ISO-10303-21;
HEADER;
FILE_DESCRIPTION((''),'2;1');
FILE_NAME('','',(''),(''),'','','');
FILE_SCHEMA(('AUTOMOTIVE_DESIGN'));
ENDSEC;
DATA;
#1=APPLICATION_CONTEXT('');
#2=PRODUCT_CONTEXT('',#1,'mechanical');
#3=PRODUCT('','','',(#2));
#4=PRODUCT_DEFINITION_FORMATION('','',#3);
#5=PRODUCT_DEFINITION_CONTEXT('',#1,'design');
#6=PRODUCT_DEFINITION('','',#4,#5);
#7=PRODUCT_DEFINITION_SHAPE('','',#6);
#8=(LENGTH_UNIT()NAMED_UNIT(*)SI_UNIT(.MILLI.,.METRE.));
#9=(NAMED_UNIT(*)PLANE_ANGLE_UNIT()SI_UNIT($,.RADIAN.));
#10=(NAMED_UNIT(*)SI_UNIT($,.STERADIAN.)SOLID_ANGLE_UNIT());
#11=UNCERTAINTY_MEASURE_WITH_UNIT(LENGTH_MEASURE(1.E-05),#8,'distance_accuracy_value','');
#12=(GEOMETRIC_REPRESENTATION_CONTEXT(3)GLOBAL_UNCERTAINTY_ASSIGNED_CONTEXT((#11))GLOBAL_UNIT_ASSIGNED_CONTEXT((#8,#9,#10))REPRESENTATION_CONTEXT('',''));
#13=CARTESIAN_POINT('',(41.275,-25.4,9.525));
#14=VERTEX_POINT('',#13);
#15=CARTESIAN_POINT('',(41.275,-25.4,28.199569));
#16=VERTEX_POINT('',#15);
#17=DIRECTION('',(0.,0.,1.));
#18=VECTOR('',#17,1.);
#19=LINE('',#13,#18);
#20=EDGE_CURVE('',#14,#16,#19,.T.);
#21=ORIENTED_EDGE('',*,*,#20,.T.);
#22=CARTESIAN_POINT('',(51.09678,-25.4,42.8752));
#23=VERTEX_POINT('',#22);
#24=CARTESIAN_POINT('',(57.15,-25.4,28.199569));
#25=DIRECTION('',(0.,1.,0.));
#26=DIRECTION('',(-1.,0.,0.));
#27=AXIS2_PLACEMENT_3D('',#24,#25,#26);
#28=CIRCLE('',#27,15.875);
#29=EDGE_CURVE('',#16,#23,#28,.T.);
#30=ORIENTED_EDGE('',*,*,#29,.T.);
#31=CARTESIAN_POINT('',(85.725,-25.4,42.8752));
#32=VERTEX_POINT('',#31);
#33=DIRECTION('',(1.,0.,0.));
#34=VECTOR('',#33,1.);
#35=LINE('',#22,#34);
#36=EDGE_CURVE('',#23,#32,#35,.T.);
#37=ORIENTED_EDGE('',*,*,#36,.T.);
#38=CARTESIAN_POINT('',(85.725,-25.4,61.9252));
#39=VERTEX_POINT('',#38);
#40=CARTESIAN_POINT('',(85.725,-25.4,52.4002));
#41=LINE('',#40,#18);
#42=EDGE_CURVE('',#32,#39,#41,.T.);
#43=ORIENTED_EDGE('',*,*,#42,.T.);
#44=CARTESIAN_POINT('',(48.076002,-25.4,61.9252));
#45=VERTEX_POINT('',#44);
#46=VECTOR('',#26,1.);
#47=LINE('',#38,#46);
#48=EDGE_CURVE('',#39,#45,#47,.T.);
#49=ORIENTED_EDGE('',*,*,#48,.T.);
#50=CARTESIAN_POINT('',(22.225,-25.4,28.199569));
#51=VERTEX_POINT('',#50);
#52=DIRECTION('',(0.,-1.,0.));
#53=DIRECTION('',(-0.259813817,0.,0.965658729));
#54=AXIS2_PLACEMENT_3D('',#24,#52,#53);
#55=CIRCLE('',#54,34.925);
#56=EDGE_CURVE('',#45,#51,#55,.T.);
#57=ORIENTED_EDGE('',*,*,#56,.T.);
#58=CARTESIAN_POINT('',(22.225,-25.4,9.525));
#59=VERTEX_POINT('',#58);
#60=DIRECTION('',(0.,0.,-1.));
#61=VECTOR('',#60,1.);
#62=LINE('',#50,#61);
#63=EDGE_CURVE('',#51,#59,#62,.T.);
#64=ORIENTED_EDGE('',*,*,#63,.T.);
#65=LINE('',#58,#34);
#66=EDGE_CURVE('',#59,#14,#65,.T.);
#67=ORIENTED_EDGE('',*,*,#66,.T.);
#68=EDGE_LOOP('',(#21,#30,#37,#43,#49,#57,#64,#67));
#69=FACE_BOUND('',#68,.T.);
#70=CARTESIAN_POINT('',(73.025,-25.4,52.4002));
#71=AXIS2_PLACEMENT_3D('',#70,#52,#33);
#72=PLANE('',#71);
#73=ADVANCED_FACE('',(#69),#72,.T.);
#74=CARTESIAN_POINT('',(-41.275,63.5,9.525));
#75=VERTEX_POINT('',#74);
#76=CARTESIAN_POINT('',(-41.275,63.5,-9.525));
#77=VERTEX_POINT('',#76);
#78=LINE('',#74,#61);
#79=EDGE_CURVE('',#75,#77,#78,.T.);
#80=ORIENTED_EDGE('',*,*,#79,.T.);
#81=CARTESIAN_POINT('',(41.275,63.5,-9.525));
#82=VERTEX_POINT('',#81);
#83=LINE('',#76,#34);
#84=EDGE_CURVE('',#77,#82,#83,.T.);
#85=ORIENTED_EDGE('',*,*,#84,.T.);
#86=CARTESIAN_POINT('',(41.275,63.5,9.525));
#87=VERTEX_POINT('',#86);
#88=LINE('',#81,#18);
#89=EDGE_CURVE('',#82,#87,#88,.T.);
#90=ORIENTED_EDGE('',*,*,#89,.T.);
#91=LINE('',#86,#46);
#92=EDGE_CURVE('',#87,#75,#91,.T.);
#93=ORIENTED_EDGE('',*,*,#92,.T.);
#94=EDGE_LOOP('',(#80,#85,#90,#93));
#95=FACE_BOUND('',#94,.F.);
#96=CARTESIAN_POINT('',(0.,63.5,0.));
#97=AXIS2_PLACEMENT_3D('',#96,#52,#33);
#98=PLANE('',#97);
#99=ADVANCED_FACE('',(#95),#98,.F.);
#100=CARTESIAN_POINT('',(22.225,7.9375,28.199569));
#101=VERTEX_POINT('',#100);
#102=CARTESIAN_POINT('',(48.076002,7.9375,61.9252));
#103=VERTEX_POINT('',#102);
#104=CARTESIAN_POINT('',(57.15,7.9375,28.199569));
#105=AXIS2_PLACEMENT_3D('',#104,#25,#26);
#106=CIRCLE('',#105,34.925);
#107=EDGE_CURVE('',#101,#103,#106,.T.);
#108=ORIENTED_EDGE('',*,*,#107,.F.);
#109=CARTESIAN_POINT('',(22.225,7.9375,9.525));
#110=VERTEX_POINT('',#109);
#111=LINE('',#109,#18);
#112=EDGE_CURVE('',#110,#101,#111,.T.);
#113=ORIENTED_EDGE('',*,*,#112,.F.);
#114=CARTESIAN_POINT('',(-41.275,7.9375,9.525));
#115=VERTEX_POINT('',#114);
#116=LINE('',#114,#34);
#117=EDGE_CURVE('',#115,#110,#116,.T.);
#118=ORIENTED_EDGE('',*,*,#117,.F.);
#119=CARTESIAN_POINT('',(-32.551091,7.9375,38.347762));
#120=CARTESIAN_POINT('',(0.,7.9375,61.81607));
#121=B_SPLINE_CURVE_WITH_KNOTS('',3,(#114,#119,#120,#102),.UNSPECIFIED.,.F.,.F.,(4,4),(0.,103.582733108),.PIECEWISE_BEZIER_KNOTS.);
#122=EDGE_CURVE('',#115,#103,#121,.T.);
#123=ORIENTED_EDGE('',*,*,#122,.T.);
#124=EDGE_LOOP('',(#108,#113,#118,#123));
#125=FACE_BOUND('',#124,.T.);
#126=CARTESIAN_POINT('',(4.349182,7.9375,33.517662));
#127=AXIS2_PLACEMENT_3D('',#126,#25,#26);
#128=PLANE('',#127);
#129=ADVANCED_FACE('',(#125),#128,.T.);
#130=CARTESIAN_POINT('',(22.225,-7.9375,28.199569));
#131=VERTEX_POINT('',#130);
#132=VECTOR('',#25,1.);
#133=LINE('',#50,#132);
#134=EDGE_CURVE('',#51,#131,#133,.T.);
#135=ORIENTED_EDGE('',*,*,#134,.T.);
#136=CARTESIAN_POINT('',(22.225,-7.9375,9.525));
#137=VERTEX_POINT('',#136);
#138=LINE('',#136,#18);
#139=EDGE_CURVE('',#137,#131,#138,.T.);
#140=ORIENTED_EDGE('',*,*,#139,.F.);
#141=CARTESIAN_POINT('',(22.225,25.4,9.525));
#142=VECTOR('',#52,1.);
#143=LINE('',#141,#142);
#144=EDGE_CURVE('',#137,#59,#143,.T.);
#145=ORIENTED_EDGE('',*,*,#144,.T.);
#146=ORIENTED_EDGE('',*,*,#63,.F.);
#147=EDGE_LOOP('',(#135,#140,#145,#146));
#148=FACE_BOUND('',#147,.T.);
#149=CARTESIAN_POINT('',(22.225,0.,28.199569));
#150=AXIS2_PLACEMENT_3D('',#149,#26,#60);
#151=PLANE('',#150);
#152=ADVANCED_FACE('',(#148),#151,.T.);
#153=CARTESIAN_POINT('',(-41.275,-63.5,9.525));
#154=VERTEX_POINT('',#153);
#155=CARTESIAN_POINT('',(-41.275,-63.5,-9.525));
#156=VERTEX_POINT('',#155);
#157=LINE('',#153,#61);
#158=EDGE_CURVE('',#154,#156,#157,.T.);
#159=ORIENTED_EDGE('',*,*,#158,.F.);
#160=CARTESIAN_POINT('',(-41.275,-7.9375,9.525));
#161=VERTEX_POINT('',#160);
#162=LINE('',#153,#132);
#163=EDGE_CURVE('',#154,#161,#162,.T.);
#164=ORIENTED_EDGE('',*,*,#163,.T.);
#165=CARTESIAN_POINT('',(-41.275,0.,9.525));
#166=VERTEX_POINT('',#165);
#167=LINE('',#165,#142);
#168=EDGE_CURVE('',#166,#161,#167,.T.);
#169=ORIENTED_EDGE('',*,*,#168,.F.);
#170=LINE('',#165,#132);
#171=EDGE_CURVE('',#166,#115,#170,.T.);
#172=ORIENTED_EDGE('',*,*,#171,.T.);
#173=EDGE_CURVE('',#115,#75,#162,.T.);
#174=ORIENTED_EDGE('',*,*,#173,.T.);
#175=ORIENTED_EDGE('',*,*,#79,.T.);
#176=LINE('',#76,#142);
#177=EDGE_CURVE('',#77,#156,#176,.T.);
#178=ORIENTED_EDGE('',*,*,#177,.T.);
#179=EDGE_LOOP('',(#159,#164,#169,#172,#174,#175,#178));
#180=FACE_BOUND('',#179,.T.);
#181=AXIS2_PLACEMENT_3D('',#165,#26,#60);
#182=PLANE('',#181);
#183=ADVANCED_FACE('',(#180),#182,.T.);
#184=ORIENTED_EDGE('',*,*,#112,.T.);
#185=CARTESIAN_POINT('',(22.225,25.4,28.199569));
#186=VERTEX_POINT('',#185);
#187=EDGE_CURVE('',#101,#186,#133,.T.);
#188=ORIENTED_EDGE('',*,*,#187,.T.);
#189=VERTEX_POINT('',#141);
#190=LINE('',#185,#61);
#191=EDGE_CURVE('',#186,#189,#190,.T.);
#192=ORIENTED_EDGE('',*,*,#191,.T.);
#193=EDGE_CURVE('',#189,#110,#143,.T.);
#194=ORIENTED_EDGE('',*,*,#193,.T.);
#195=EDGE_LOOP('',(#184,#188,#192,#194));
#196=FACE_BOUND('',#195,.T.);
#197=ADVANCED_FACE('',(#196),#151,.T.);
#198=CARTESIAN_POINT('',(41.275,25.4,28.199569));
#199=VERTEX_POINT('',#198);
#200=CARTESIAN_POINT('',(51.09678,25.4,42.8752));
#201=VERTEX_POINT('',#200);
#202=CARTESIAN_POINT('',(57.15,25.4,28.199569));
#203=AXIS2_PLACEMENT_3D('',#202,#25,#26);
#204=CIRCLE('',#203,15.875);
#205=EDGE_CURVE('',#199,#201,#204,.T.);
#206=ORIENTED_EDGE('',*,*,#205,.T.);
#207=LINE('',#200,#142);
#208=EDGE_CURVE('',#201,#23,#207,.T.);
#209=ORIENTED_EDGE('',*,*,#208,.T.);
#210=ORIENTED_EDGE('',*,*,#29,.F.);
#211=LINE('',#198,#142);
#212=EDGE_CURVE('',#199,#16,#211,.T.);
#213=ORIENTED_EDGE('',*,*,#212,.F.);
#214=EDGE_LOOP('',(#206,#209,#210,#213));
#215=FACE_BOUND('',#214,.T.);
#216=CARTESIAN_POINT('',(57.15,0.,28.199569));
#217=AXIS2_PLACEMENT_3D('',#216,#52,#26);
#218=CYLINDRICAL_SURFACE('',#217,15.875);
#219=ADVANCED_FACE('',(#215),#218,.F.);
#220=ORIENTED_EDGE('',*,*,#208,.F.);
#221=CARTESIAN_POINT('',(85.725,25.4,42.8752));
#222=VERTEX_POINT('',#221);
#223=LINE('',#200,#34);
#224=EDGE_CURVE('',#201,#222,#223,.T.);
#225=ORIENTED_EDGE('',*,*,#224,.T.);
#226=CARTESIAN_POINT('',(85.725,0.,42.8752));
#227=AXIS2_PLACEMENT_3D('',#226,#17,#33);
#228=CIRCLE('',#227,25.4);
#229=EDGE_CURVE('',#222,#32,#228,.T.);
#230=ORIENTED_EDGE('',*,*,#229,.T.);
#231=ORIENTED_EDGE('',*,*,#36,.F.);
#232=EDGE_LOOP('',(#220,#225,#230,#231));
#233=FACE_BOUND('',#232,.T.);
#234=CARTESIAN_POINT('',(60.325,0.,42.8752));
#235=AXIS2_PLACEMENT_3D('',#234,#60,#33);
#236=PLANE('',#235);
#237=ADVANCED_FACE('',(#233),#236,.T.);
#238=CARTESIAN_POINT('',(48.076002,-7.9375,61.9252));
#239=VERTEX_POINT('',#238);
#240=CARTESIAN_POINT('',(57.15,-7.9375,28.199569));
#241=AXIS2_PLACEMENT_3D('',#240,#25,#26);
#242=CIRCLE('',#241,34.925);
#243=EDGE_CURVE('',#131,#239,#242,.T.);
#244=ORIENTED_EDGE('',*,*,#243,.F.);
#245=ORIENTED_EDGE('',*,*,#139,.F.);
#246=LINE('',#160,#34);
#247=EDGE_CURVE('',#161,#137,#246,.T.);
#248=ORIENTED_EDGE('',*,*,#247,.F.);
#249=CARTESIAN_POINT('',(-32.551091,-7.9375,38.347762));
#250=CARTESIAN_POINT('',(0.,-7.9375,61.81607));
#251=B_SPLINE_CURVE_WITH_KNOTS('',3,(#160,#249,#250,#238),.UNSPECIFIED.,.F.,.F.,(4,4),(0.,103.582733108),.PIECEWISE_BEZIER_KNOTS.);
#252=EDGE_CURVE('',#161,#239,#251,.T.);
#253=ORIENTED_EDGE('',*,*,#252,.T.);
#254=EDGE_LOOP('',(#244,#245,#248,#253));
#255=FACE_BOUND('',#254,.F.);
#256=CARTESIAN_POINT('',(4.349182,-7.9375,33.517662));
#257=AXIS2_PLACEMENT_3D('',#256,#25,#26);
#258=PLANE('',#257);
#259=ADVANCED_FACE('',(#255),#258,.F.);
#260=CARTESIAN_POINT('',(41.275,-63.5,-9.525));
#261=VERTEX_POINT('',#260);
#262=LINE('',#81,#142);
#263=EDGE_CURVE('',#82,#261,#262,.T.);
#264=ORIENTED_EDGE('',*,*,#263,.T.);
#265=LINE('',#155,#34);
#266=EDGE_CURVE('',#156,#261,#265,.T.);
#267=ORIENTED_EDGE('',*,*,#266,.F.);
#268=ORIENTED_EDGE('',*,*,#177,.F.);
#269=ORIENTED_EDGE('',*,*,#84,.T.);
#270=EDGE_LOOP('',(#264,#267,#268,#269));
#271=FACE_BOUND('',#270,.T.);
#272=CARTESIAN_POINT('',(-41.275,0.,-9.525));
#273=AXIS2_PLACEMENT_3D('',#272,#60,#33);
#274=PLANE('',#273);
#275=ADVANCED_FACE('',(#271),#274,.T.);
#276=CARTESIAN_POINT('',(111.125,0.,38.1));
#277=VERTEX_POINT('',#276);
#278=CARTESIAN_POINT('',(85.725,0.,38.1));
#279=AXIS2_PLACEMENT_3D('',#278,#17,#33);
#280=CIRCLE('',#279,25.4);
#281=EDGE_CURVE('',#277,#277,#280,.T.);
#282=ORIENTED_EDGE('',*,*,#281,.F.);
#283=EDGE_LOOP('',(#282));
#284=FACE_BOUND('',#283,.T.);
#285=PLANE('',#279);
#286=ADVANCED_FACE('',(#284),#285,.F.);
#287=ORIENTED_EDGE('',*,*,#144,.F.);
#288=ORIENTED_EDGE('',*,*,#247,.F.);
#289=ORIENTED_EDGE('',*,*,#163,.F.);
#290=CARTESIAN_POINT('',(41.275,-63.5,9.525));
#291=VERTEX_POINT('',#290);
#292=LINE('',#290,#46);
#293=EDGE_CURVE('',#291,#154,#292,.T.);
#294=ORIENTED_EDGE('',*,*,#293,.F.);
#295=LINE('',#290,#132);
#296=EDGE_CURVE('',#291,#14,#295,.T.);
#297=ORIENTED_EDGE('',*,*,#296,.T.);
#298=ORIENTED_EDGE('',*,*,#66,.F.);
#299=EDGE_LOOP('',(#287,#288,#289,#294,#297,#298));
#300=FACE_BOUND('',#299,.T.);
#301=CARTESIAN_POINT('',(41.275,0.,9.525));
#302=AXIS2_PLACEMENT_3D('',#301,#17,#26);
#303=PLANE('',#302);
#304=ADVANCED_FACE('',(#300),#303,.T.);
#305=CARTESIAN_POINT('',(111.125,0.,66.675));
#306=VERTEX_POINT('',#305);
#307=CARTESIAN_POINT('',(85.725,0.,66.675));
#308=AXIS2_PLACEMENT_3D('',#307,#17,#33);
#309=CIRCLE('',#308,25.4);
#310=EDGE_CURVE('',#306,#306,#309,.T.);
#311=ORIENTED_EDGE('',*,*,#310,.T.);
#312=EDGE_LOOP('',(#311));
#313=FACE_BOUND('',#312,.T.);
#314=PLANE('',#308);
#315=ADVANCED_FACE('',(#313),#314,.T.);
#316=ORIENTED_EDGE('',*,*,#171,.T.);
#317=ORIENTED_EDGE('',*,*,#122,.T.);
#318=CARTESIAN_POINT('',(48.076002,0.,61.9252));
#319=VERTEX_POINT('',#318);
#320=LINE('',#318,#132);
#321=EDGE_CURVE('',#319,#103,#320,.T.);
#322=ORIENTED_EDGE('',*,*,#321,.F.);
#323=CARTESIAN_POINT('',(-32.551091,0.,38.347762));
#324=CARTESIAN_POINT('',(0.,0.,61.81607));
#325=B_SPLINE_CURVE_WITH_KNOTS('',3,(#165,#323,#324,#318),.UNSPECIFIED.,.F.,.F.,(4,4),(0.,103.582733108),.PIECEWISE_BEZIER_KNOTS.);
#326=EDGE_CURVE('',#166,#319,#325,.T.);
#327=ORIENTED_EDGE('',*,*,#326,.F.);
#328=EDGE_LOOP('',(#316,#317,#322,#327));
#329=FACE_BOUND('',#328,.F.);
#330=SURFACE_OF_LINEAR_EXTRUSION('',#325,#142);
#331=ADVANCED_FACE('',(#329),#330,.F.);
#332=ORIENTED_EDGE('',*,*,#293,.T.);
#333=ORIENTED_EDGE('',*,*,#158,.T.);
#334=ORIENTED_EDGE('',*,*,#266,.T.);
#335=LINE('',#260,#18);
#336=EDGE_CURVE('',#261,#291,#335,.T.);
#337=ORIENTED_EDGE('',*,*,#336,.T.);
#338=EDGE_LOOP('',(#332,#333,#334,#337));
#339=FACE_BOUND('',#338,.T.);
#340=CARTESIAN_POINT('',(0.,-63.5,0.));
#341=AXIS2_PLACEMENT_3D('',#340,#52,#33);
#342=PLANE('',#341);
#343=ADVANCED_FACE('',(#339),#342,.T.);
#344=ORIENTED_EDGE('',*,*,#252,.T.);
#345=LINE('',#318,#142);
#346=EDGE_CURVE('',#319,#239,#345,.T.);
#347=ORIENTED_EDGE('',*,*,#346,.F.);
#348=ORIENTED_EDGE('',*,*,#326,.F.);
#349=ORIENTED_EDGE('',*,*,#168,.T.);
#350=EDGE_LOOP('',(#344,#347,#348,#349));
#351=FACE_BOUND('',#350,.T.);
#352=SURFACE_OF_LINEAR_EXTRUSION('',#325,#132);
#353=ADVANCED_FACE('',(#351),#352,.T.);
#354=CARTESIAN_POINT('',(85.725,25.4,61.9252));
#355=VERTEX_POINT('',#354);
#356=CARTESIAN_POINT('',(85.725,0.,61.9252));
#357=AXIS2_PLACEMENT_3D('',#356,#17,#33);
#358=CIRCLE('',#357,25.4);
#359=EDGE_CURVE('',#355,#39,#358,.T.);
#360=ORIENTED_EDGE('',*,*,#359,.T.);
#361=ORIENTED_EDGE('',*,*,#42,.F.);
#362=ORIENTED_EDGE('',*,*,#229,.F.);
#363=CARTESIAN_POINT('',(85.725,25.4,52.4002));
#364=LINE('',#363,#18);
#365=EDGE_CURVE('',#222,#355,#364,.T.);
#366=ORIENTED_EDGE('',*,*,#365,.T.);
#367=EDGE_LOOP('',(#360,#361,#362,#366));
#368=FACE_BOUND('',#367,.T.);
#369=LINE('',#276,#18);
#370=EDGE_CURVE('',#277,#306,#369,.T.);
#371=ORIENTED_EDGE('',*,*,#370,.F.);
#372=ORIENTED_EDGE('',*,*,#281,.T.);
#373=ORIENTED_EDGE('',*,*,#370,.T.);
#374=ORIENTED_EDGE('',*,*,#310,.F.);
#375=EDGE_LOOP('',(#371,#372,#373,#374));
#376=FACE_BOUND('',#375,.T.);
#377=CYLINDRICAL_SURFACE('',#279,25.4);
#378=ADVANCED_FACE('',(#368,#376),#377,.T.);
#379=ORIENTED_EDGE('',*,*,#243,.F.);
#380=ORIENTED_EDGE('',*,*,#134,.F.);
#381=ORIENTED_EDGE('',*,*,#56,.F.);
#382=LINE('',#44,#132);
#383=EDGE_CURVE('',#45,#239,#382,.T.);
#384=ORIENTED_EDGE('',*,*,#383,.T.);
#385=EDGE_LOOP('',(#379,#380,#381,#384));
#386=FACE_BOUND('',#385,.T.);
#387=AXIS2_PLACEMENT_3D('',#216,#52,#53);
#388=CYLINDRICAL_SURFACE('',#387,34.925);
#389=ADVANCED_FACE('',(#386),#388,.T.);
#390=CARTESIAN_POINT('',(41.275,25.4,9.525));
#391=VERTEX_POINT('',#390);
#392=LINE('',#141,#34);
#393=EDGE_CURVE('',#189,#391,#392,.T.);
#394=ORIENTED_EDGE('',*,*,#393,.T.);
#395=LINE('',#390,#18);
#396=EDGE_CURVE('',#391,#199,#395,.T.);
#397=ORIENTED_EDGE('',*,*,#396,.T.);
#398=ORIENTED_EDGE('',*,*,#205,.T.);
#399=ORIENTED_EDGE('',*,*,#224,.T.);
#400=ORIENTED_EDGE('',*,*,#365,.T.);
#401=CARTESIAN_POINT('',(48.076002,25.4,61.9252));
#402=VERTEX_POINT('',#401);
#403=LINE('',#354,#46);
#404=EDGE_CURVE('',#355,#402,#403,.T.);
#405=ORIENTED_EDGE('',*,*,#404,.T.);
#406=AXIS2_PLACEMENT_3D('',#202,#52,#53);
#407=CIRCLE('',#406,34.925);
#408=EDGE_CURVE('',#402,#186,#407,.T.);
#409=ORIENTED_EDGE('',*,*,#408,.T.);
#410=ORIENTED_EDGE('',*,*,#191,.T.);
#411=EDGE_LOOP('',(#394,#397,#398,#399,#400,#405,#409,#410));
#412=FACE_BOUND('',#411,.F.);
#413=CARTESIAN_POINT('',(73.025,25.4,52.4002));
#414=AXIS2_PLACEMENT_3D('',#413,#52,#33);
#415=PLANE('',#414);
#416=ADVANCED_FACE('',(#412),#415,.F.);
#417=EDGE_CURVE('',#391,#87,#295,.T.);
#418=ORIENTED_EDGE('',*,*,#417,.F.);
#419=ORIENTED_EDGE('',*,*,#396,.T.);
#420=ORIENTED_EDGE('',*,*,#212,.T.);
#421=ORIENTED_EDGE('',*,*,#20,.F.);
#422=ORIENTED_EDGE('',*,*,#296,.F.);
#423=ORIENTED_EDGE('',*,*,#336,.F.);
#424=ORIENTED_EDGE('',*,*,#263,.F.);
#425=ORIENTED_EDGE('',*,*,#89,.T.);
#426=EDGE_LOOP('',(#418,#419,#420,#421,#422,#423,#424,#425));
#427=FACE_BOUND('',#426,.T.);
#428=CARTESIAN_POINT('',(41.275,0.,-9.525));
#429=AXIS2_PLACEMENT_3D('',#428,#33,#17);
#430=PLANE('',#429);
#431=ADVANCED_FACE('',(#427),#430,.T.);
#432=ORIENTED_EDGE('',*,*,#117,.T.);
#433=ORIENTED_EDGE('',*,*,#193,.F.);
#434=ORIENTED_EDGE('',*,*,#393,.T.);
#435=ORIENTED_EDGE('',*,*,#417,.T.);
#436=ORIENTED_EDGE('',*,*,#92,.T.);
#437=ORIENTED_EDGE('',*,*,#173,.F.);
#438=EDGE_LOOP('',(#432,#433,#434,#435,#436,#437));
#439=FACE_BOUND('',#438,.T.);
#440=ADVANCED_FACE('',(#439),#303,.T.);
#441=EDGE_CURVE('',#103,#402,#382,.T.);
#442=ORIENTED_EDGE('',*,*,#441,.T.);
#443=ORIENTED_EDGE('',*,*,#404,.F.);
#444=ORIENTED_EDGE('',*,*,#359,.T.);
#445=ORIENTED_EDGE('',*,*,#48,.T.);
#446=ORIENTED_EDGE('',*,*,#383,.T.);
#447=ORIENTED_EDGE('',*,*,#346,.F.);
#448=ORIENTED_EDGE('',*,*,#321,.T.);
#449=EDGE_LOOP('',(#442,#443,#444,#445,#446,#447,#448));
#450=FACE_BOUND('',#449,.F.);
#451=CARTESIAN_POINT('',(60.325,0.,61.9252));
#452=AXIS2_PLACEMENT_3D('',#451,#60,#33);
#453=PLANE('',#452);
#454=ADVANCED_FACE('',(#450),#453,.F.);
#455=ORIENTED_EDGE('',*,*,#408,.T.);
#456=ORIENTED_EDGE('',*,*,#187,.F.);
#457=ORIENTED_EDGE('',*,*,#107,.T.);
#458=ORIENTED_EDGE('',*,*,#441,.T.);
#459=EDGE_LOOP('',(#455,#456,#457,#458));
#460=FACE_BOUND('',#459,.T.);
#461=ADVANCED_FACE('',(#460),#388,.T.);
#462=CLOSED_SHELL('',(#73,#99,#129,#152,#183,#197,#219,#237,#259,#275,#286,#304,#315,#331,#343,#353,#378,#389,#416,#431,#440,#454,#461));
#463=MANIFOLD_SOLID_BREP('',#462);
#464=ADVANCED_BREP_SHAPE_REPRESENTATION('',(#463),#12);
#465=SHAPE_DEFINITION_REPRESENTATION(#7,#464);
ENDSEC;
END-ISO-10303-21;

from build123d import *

# Parameters (mm, degrees)
F1_DEPTH = 63.5
F2_DEPTH = 25.4
F0_W     = 25.4
F0_H     = 19.05
F3_DEPTH = 25.4
F4_DEPTH = 7.9375


with BuildPart() as f1:
    # F0 (on Front) → F1 (new body, symmetric)
    with BuildSketch(Plane.XZ):
        Polygon((22.225, 9.525), (-41.275, 9.525), (-41.275, -9.525), (41.275, -9.525), (41.275, 9.525), align=None)
    extrude(amount=F1_DEPTH, both=True)

    # F0 (on Front) → F2 (join, symmetric)
    with BuildSketch(Plane.XZ):
        with BuildLine():
            Line((22.225, 28.1995688956), (22.225, 9.525))
            Line((22.225, 9.525), (41.275, 9.525))
            Line((41.275, 9.525), (41.275, 28.1995688956))
            ThreePointArc((41.275, 28.1995688956), (43.9569999969, 37.0290862051), (51.0967796432, 42.8752))
            Line((51.0967796432, 42.8752), (60.325, 42.8752))
            Line((60.325, 42.8752), (60.325, 61.9252))
            Line((60.325, 61.9252), (48.076002446, 61.9252))
            ThreePointArc((48.076002446, 61.9252), (29.431188792, 49.4462893534), (22.225, 28.1995688956))
        make_face()
    extrude(amount=F2_DEPTH, both=True)

    # F0 (on Front) → F3 (join, symmetric)
    with BuildSketch(Plane.XZ):
        with Locations((73.025, 52.4002)):
            Rectangle(F0_W, F0_H)
    extrude(amount=F3_DEPTH, both=True)

    # F0 (on Front) → F4 (join, symmetric)
    with BuildSketch(Plane.XZ):
        with BuildLine():
            add(Edge.make_bspline(
                [(-41.275, 9.525), (-32.5510911644, 38.347762078), (0, 61.8160702288), (48.076002446, 61.9252)],
                knots=[0, 0, 0, 0, 103.5827331081, 103.5827331081, 103.5827331081, 103.5827331081], degree=3))
            Line((-41.275, 9.525), (22.225, 9.525))
            Line((22.225, 9.525), (22.225, 28.1995688956))
            ThreePointArc((22.225, 28.1995688956), (29.431188792, 49.4462893534), (48.076002446, 61.9252))
        make_face()
    extrude(amount=F4_DEPTH, both=True)

    # F0 (on Front) → F5 (revolve)
    with BuildSketch(Plane.XZ):
        Polygon((85.725, 66.675), (85.725, 61.9252), (85.725, 42.8752), (85.725, 38.1), (111.125, 38.1), (111.125, 66.675), align=None)
    revolve(axis=Axis((85.725, 0, 52.3875), (0, 0, 1)))


solid = f1.part
